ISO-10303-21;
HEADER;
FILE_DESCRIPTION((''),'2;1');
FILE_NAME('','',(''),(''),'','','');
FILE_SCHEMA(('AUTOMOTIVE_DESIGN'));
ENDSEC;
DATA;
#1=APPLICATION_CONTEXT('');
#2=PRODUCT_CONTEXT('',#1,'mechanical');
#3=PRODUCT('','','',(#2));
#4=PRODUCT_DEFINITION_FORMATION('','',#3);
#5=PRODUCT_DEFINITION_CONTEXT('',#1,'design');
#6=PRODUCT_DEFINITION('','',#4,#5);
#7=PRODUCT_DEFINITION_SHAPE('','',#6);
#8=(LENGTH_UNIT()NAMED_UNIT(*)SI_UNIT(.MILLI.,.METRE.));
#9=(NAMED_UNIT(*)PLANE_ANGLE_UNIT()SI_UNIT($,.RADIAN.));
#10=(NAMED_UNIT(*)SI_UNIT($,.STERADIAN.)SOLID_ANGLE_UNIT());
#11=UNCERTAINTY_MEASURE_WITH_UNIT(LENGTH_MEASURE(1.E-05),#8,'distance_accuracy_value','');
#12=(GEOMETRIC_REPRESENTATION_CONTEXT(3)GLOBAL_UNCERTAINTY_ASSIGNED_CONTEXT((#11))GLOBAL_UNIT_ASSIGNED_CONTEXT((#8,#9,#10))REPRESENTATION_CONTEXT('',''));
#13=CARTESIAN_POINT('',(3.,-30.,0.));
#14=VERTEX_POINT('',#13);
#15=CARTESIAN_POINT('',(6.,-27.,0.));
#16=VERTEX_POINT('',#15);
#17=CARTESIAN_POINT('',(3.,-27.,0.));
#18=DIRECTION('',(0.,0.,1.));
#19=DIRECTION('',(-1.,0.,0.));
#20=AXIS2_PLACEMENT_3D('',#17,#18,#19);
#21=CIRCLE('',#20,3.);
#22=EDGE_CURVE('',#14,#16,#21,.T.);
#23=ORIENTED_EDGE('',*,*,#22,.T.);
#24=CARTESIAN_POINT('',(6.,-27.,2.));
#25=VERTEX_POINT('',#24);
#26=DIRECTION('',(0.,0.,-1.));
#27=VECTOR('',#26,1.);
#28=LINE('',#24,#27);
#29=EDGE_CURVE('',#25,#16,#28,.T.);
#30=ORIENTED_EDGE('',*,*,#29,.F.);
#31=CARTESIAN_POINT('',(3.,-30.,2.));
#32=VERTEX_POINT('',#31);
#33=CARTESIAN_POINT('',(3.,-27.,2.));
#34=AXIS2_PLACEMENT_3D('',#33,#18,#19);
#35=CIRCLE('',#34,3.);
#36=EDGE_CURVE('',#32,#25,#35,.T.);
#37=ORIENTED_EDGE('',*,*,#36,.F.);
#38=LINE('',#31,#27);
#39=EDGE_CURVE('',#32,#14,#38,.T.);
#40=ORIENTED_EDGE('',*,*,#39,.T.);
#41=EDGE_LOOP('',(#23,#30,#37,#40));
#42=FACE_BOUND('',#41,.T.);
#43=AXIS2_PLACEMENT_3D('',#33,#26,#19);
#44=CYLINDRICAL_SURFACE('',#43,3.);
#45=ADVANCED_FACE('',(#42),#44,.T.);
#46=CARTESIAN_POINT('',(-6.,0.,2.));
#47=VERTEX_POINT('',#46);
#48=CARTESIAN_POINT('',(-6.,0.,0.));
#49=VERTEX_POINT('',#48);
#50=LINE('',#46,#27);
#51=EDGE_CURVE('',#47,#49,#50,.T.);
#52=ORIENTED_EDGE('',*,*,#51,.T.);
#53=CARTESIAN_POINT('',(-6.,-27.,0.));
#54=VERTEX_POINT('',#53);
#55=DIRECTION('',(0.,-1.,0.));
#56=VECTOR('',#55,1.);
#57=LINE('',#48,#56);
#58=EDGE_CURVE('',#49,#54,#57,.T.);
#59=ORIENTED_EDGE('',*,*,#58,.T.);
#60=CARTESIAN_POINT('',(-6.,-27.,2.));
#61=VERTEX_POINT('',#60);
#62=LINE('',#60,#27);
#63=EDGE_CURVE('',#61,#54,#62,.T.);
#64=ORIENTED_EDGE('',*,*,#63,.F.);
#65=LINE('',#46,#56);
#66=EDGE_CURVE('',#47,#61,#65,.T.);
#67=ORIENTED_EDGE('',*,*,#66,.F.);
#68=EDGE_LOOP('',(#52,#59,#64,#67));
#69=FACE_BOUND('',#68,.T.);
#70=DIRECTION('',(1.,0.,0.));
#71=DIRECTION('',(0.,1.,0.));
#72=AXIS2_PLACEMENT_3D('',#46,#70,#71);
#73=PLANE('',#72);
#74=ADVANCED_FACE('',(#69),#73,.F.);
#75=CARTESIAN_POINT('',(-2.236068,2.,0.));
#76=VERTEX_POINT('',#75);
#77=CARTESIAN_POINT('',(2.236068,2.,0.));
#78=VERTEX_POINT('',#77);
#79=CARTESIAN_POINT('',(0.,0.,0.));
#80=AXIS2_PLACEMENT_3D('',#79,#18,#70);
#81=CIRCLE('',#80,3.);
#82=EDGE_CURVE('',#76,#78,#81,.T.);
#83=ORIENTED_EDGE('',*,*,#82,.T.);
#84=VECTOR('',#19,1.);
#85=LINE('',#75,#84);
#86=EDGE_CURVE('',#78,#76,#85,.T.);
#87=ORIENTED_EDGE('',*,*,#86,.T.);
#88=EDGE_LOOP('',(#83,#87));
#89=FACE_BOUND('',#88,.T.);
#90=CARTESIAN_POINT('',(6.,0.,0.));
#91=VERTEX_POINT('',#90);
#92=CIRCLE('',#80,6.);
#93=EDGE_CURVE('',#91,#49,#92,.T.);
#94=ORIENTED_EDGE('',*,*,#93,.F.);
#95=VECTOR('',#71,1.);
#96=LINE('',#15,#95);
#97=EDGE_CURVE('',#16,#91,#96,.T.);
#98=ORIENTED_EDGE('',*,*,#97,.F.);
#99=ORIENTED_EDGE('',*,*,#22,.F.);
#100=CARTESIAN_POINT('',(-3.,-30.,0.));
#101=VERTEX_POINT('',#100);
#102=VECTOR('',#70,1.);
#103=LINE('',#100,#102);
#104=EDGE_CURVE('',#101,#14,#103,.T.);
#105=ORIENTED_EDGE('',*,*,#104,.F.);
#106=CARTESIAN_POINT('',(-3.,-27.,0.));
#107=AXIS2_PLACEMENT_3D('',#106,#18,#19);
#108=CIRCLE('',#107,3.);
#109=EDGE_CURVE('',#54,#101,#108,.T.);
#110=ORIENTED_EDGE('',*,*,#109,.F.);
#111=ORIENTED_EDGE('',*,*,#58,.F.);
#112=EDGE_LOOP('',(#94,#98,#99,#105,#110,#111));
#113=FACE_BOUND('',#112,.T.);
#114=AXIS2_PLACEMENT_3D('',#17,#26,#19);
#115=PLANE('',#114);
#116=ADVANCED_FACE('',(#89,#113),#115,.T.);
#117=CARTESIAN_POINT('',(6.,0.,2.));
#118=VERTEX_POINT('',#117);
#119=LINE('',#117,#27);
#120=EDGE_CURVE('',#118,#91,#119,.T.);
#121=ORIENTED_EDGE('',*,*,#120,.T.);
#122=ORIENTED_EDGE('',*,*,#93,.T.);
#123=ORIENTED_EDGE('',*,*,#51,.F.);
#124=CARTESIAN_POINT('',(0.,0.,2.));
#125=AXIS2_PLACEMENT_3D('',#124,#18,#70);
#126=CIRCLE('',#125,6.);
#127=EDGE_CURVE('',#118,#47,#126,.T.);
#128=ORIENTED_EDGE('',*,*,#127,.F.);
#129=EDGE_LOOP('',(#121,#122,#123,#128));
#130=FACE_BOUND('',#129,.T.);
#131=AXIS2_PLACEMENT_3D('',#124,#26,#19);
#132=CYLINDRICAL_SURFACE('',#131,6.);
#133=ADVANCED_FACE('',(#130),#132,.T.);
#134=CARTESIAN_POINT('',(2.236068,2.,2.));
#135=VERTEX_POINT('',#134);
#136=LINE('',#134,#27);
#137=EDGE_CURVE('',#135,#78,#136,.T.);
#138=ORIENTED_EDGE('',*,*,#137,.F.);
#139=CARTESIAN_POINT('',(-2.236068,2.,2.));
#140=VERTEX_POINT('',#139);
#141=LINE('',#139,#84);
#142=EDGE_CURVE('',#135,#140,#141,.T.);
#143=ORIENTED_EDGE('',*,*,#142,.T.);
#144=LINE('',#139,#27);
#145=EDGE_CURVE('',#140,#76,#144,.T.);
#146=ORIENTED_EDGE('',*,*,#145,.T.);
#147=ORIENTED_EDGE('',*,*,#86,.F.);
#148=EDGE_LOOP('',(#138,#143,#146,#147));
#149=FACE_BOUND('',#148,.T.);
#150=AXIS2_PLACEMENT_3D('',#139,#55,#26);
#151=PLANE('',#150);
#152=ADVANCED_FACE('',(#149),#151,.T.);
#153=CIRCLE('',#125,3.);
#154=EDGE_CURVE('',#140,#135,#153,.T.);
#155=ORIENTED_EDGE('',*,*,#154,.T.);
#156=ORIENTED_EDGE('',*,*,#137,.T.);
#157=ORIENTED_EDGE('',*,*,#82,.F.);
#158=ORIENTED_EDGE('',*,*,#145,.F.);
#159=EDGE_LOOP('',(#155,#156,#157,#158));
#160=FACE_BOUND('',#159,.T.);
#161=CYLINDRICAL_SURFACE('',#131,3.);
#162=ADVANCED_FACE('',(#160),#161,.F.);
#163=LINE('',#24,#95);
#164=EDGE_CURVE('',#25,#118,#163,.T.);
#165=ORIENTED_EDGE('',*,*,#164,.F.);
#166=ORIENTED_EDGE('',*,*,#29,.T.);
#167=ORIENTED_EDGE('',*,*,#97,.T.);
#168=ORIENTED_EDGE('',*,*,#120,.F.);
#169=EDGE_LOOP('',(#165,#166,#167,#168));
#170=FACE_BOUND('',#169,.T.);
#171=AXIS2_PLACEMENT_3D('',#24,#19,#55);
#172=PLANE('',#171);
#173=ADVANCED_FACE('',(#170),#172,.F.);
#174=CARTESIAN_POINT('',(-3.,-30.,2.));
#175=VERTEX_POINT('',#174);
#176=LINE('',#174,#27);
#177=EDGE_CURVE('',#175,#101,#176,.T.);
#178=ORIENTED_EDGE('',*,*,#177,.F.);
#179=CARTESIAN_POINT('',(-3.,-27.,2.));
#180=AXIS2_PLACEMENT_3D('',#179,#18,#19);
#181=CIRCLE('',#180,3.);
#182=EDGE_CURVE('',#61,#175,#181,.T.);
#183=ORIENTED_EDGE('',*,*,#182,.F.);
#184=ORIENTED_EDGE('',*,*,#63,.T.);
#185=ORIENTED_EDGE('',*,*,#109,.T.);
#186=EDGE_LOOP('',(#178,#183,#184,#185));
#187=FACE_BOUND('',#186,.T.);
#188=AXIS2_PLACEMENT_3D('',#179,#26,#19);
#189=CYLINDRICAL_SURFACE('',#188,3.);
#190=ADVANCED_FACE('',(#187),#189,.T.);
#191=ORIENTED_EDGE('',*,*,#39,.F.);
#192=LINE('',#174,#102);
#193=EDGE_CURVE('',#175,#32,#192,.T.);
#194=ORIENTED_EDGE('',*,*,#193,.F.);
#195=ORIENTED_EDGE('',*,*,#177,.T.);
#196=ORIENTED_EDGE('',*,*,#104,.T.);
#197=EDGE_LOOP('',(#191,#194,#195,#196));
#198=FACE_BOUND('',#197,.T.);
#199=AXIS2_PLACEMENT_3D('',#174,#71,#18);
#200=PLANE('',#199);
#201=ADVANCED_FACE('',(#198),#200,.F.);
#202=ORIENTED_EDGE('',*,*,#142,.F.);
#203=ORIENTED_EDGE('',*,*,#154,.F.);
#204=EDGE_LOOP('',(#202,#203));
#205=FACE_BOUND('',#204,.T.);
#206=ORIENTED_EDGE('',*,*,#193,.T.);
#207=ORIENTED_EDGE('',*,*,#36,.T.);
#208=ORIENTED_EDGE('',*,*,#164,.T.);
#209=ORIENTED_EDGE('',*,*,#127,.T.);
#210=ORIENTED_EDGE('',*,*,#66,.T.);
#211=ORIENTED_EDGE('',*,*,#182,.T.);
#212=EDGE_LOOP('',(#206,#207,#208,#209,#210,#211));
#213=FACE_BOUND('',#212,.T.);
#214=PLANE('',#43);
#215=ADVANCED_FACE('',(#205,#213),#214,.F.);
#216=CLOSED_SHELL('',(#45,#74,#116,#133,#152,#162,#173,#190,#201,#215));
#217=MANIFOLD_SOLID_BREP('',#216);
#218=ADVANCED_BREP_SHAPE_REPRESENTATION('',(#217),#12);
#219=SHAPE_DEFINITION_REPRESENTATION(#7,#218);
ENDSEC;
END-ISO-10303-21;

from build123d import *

# Parameters (mm, degrees)
BOSS_EXTRUDE1_DEPTH = 2


with BuildPart() as part:
    # Sketch1 → Boss-Extrude1 (new body)
    with BuildSketch(Plane.XY):
        with BuildLine():
            Line((-6, 0), (-6, -27))
            ThreePointArc((-6, -27), (-5.121320344, -29.121320344), (-3, -30))
            Line((-3, -30), (3, -30))
            ThreePointArc((3, -30), (5.121320344, -29.121320344), (6, -27))
            Line((6, -27), (6, 0))
            ThreePointArc((6, 0), (0, 6), (-6, 0))
        make_face()
        with BuildLine():
            Line((-2.236067977, 2), (2.236067977, 2))
            ThreePointArc((2.236067977, 2), (0, -3), (-2.236067977, 2))
        make_face(mode=Mode.SUBTRACT)
    extrude(amount=BOSS_EXTRUDE1_DEPTH)


solid = part.part
